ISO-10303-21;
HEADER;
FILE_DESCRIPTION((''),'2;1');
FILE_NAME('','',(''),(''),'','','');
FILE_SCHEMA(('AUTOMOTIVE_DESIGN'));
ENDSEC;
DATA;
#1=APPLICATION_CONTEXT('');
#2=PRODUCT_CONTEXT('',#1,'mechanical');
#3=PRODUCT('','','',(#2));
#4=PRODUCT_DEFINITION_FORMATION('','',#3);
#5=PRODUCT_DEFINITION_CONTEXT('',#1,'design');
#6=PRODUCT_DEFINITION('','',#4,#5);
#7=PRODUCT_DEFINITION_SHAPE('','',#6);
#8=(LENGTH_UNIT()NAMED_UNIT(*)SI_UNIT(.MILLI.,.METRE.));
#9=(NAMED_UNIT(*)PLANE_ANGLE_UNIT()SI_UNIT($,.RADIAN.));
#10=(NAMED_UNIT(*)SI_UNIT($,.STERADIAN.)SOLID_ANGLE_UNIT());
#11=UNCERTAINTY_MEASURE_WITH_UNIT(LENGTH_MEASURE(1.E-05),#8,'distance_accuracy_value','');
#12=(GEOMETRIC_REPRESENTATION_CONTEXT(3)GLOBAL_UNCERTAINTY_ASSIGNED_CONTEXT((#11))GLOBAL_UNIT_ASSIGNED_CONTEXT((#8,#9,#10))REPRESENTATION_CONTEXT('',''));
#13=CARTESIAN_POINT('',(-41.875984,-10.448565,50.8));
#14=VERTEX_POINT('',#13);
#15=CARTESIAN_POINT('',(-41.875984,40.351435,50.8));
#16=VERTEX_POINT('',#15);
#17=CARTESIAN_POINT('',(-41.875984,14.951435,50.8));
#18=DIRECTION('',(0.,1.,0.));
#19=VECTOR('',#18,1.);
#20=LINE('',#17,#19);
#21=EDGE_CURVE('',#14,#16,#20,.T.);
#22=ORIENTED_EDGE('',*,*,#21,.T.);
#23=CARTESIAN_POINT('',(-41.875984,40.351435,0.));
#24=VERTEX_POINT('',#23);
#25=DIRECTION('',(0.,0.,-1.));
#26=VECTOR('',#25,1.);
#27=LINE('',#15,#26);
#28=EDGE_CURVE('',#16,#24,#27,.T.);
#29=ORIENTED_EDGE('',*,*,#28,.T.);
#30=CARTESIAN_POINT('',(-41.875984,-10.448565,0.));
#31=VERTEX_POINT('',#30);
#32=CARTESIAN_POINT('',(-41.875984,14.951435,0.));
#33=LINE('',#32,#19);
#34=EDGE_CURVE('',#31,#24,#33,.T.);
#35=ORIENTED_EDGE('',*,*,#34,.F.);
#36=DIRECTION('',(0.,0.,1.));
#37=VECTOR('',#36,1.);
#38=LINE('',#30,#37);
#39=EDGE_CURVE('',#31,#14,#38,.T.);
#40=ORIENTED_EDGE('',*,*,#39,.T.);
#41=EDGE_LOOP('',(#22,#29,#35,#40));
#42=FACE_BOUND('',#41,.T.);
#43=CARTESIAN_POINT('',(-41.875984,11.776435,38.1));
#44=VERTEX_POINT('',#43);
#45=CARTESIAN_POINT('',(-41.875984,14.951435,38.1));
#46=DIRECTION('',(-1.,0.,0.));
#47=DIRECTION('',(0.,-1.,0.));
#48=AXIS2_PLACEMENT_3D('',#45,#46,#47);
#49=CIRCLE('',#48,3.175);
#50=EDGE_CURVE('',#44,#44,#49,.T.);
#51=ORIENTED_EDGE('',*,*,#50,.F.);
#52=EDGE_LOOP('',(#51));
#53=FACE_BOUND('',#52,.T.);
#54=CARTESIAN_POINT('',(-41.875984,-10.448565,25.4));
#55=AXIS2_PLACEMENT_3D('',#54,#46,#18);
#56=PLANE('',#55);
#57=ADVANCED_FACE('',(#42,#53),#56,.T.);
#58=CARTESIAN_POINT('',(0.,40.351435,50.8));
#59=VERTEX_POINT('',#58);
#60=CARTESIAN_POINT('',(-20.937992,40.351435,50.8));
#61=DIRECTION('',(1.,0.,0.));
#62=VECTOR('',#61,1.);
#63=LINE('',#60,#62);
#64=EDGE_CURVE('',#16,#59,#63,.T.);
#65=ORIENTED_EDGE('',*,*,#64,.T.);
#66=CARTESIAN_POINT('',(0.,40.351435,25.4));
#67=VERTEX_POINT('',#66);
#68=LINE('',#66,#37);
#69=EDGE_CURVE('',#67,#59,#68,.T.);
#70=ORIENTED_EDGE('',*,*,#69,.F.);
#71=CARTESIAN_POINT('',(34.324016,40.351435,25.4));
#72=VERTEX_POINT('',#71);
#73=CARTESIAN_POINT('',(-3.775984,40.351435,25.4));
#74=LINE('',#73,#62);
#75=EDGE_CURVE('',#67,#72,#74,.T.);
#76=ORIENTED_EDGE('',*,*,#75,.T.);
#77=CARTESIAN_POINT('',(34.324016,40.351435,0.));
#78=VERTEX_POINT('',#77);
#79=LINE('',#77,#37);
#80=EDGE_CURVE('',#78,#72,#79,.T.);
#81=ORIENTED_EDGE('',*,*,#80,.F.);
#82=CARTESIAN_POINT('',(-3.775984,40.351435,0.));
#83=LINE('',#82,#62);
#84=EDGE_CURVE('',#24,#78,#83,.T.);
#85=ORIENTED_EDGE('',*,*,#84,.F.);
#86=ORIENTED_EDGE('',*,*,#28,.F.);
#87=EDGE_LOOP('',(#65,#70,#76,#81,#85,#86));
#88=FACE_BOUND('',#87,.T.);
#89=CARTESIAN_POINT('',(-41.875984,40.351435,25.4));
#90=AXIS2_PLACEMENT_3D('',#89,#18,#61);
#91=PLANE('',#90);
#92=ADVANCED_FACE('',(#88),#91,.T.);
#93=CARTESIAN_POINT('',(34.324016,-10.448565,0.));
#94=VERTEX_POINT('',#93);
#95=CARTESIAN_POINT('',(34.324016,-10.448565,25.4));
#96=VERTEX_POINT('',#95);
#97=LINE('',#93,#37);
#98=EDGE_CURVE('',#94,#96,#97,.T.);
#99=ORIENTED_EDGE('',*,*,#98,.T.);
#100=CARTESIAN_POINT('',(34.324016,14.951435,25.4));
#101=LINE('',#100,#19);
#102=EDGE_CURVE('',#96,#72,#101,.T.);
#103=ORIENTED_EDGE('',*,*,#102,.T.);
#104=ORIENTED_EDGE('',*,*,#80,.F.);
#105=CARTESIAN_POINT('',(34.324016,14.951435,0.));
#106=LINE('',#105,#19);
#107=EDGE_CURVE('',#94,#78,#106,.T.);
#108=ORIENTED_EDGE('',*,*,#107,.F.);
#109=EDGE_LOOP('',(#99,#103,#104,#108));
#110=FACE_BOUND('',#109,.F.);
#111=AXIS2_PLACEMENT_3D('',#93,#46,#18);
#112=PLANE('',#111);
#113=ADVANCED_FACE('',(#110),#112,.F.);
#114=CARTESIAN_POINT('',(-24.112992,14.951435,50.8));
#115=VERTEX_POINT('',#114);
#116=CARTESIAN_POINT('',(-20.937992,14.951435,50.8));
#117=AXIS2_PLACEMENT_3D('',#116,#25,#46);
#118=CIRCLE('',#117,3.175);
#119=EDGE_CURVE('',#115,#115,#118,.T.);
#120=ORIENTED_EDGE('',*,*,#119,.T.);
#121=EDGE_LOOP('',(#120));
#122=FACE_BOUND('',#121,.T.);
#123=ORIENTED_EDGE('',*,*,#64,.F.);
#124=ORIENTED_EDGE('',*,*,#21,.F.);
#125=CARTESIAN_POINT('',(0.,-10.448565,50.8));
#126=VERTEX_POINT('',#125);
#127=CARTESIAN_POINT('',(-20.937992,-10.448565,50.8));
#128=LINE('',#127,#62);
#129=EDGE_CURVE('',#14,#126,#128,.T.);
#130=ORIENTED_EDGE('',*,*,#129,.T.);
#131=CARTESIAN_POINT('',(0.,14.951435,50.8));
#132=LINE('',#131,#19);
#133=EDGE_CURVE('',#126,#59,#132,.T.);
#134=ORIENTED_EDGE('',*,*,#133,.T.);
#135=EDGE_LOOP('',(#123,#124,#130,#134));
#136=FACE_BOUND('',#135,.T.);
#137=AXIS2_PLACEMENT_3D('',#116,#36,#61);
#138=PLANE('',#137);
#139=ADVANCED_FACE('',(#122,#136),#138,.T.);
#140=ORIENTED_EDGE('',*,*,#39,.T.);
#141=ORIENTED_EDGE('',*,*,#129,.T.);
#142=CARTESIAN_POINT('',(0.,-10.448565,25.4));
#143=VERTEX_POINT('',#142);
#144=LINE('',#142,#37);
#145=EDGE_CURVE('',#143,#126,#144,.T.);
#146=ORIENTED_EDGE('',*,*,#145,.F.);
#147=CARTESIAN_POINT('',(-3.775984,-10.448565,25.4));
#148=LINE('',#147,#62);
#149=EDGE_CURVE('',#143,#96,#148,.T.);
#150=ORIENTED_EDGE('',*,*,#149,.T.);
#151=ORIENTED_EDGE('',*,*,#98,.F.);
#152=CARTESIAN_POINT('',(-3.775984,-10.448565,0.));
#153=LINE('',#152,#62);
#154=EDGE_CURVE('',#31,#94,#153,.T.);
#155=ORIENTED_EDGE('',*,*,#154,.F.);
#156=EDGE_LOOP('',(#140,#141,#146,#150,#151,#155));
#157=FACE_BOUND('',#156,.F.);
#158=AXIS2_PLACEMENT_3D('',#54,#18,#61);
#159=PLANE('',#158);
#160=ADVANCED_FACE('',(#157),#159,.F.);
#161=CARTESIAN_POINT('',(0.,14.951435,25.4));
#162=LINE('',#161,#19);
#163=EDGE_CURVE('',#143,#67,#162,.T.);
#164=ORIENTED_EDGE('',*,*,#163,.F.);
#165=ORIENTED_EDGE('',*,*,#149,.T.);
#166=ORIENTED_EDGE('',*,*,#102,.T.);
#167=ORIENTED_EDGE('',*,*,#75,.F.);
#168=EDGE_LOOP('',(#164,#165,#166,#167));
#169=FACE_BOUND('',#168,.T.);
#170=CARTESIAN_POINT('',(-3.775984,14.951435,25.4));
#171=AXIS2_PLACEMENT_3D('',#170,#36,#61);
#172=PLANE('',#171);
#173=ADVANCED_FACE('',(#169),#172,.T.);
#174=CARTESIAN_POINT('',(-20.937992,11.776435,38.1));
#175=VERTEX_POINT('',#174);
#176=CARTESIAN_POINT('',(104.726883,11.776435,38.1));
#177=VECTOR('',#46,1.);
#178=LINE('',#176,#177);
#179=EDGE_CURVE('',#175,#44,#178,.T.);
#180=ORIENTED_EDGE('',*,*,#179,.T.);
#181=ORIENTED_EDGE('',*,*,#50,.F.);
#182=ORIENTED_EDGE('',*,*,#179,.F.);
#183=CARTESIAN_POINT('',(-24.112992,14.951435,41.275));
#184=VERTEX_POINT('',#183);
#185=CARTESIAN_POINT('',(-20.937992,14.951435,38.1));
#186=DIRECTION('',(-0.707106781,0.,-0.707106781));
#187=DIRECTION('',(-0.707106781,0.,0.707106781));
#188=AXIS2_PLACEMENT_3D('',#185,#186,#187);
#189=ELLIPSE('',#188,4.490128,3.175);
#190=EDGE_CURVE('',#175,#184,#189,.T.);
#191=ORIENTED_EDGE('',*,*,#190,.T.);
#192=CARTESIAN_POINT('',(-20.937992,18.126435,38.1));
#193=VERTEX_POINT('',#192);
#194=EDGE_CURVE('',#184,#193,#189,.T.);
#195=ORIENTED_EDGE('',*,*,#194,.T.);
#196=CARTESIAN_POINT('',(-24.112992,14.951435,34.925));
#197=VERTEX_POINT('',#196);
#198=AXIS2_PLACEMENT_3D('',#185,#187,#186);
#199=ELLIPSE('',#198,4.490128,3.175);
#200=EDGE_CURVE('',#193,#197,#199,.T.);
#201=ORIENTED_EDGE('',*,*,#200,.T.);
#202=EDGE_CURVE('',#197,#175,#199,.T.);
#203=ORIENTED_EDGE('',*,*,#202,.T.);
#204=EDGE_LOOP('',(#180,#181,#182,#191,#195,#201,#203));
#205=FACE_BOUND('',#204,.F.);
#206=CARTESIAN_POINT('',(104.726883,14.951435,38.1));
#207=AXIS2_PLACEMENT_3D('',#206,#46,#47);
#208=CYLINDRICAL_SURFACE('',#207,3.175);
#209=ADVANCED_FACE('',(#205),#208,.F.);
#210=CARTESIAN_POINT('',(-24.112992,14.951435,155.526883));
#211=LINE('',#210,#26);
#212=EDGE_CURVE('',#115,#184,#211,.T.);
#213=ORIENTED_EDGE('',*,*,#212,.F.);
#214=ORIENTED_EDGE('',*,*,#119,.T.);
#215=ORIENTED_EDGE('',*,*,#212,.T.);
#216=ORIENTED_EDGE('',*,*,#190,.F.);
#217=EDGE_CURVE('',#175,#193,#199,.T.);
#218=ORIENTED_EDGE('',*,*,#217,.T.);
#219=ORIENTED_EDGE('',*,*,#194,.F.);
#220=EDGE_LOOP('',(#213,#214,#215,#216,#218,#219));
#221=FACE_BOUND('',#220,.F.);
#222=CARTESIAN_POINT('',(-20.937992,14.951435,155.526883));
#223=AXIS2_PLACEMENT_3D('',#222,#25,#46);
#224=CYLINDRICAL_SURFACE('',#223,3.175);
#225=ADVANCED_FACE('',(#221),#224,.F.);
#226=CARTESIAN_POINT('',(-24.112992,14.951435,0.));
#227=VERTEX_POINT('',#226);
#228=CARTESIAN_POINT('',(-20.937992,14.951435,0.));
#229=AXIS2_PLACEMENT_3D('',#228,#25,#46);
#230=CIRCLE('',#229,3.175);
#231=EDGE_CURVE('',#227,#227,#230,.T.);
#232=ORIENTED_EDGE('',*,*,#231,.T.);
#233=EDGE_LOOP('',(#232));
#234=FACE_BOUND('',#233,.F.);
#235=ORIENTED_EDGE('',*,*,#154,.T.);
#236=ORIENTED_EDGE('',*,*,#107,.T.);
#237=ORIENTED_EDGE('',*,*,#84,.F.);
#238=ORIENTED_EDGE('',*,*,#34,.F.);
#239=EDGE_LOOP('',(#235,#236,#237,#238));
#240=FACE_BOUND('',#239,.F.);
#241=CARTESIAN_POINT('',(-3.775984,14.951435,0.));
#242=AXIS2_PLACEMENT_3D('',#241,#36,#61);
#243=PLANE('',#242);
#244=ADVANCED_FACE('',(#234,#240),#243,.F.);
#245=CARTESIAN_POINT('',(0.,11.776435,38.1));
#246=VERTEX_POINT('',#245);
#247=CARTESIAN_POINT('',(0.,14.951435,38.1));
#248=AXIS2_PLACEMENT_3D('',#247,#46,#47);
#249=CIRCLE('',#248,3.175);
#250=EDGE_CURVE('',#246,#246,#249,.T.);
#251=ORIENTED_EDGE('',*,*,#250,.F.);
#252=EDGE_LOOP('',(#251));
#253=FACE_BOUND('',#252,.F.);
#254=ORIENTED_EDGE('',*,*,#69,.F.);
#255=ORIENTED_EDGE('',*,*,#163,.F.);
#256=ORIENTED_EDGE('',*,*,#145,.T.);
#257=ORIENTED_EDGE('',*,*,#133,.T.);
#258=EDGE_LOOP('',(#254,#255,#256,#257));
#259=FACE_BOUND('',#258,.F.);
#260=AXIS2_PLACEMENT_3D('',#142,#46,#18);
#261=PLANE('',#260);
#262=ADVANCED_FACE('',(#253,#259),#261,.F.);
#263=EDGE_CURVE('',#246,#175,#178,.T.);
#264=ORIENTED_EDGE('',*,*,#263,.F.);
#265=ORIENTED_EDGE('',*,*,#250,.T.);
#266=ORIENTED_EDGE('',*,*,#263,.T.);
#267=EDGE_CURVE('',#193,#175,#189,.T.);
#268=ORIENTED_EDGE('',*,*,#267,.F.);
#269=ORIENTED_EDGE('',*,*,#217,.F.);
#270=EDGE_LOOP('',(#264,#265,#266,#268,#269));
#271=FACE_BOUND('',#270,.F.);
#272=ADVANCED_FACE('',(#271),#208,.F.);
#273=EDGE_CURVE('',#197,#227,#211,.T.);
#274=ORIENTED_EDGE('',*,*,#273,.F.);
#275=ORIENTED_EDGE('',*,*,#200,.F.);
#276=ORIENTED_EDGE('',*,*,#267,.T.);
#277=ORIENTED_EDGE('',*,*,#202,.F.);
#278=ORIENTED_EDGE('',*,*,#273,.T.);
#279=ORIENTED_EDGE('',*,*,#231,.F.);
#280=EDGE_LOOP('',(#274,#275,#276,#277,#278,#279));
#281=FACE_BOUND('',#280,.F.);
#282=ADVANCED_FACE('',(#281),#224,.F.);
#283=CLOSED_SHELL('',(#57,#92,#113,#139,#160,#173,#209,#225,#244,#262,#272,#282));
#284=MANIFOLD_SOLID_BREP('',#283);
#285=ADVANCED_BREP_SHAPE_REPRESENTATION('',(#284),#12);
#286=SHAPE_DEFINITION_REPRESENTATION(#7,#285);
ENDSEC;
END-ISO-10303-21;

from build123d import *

# Parameters (mm, degrees)
F0_W     = 76.2
F0_H     = 50.8
F1_DEPTH = 25.4
F2_W     = 41.875984
F2_H     = 50.8
F3_DEPTH = 25.4
F5_D     = 6.35
F7_D     = 6.35


with BuildPart() as f1:
    # F0 (on Top) → F1 (new body)
    with BuildSketch(Plane.XY):
        with Locations((-3.775984, 14.951435)):
            Rectangle(F0_W, F0_H)
    extrude(amount=F1_DEPTH)

    # F2 (on face) → F3 (join)
    with BuildSketch(Plane.XY.offset(25.4)):
        with Locations((-20.937992, 14.951435)):
            Rectangle(F2_W, F2_H)
    extrude(amount=F3_DEPTH)

    # F5 (through all)
    with Locations(Plane.YZ):
        with Locations((14.951435, 38.1)):
            Hole(F5_D / 2)

    # F7 (through all)
    with Locations(Plane.XY.offset(50.8)):
        with Locations((-20.937992, 14.951435)):
            Hole(F7_D / 2)


solid = f1.part
